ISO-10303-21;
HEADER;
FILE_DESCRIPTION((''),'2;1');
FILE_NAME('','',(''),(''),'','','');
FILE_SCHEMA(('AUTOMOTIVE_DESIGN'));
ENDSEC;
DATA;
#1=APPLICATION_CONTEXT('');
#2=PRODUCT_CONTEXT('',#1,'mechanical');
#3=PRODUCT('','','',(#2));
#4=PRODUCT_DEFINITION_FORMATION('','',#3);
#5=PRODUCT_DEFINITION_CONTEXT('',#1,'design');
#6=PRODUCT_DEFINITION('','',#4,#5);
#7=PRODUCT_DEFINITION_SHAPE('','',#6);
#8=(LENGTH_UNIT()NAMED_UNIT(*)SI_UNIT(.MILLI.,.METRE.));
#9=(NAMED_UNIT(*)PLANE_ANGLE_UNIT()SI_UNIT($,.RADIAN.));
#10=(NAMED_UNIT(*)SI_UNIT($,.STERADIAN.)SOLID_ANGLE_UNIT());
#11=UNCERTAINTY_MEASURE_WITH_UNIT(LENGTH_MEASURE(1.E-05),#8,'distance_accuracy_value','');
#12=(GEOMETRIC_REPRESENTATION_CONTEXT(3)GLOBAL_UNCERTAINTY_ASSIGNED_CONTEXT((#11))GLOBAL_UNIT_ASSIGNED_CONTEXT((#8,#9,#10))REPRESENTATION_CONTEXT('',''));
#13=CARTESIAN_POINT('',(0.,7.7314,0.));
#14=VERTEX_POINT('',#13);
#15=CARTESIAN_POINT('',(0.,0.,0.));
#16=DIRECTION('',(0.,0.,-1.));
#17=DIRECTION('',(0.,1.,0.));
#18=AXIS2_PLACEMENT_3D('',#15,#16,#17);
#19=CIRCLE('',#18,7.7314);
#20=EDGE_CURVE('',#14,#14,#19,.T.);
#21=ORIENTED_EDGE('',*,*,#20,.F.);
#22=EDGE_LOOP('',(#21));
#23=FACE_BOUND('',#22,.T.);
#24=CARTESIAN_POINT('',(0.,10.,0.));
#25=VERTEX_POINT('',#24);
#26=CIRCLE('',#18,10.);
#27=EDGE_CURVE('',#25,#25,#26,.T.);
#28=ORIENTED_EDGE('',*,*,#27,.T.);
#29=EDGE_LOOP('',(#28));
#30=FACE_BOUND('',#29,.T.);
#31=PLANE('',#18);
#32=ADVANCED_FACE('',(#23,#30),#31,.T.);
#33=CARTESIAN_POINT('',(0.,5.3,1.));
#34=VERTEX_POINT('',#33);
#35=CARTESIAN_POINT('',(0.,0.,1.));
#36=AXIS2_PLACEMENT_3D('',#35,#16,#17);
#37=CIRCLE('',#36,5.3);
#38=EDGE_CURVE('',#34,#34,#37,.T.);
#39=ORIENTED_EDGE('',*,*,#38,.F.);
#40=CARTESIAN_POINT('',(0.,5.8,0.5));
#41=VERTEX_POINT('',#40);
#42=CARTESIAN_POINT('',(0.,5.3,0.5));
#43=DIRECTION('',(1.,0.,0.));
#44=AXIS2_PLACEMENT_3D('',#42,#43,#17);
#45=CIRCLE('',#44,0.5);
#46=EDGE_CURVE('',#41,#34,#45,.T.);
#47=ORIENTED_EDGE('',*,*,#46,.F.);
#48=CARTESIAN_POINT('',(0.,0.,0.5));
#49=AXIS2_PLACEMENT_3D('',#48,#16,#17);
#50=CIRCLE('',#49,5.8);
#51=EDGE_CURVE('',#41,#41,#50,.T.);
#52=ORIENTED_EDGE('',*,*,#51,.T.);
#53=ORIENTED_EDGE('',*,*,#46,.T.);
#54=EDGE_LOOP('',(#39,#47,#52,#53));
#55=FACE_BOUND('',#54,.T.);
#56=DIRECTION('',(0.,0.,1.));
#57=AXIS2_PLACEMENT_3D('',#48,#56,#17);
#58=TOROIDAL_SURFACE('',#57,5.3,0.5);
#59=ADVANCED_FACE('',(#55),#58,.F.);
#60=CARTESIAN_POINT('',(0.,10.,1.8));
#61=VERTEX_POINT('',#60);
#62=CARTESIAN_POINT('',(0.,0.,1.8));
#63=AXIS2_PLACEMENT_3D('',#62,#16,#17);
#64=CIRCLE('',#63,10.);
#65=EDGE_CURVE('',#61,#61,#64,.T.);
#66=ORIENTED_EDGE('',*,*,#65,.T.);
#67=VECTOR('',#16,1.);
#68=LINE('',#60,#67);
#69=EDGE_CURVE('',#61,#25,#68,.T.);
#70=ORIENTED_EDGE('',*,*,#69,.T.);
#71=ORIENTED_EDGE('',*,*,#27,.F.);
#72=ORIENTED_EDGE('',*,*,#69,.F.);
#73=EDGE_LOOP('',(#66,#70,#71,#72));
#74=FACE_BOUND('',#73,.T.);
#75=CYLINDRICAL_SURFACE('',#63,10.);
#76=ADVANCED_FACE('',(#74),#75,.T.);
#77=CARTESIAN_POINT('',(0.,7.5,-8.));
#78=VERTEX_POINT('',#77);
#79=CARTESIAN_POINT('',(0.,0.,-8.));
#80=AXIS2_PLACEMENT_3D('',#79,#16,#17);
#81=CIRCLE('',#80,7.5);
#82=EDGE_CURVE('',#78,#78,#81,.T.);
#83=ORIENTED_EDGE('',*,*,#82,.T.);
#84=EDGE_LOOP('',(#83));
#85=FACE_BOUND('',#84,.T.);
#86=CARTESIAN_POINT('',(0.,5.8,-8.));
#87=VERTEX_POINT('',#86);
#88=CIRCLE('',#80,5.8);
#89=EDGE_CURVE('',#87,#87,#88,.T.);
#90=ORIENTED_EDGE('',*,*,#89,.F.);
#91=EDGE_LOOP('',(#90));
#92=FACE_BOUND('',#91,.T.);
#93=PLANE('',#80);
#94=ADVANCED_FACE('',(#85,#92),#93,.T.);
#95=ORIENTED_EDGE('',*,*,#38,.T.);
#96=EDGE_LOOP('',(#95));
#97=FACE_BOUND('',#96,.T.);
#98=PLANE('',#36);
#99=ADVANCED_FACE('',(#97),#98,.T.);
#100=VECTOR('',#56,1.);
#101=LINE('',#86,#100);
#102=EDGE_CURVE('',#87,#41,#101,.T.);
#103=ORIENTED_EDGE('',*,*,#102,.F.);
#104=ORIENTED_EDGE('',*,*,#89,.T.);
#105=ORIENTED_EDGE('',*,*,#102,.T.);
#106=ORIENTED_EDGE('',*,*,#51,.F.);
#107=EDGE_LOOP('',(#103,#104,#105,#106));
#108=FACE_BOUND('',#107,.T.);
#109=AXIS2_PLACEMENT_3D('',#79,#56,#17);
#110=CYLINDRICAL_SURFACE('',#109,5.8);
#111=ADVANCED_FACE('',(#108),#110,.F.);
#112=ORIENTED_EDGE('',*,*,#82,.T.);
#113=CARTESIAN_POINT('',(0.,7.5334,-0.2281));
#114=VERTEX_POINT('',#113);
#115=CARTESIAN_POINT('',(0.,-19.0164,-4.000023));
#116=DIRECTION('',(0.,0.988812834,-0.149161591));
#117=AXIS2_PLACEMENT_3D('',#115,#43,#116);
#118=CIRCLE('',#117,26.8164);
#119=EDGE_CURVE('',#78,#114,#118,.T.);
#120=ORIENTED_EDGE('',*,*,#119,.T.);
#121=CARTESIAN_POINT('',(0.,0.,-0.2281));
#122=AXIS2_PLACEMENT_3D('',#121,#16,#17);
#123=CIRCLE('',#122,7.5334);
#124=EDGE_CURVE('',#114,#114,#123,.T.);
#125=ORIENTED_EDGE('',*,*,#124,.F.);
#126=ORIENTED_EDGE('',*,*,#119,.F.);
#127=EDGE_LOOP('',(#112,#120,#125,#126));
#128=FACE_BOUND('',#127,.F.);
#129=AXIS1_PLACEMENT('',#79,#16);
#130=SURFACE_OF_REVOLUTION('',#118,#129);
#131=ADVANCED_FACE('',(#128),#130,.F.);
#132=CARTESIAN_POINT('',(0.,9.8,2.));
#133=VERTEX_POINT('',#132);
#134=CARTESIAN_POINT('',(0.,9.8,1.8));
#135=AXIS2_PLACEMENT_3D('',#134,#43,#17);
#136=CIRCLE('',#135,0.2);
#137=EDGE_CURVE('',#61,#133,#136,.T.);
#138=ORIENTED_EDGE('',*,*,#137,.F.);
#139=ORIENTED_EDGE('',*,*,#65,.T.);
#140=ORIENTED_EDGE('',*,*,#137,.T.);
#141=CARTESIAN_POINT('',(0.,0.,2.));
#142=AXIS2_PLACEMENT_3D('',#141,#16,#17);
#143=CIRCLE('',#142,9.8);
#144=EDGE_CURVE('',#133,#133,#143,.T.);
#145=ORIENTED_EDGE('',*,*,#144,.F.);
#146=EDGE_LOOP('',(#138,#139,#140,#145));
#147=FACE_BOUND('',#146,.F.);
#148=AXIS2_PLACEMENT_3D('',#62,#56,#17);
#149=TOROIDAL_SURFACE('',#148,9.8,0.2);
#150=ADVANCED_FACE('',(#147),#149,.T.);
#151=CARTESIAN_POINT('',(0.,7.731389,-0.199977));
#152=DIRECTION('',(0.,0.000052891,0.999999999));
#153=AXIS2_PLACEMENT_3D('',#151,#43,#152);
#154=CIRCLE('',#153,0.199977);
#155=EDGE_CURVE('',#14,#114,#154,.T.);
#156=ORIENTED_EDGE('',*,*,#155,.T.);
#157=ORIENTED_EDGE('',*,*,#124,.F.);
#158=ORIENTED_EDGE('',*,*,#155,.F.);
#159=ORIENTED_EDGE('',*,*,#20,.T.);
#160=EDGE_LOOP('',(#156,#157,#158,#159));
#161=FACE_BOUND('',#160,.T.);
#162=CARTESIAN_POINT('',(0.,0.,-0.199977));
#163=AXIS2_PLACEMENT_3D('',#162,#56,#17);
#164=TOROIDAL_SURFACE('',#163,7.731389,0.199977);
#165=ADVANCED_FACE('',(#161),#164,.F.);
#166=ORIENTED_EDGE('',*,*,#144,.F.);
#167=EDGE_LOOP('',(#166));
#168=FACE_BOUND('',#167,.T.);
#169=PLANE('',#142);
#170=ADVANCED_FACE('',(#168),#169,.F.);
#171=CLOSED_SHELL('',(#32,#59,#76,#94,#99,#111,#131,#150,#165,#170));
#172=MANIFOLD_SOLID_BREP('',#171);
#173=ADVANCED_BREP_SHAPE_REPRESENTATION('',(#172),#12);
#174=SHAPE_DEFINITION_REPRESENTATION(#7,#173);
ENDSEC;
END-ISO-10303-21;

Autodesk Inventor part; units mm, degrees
sketch "Sketch_1" plane through (0, 0, 0) normal (1, 0, 0) x (0, 1, 0)
  line L0 (0, -8) -> (0, 2)
  line L1 (0, 2) -> (9.8, 2)
  arc A0 (10, 1.8) -> (9.8, 2) centre (9.8, 1.8) ccw
  line L2 (10, 1.8) -> (10, 0)
  line L3 (10, 0) -> (7.7314, 0)
  arc A1 (7.7314, 0) -> (7.5334, -0.2281) centre (7.7314, -0.2) ccw
  arc A2 (7.5, -8) -> (7.5334, -0.2281) centre (-19.0167, -4) ccw
  line L4 (7.5, -8) -> (5.8, -8)
  line L5 (5.8, -8) -> (5.8, 0.5)
  arc A3 (5.8, 0.5) -> (5.3, 1) centre (5.3, 0.5) ccw
  line L6 (5.3, 1) -> (0, 1)
  line L7 (0, 1) -> (0, 2)
revolve "Revolution1" add sketch "Sketch_1" angle 360 about axis through (0, 0, -8) along (0, 0, -1)
ref_plane "ANBAU_XY" through (0, 0, 0) normal (0, 0, 1) x (1, 0, 0)
ref_plane "ANBAU_YZ" through (0, 0, 0) normal (1, 0, 0) x (0, 1, 0)
ref_plane "ANBAU_ZX" through (0, 0, 0) normal (0, 1, 0) x (0, 0, 1)
properties part number "706368 GPN"
